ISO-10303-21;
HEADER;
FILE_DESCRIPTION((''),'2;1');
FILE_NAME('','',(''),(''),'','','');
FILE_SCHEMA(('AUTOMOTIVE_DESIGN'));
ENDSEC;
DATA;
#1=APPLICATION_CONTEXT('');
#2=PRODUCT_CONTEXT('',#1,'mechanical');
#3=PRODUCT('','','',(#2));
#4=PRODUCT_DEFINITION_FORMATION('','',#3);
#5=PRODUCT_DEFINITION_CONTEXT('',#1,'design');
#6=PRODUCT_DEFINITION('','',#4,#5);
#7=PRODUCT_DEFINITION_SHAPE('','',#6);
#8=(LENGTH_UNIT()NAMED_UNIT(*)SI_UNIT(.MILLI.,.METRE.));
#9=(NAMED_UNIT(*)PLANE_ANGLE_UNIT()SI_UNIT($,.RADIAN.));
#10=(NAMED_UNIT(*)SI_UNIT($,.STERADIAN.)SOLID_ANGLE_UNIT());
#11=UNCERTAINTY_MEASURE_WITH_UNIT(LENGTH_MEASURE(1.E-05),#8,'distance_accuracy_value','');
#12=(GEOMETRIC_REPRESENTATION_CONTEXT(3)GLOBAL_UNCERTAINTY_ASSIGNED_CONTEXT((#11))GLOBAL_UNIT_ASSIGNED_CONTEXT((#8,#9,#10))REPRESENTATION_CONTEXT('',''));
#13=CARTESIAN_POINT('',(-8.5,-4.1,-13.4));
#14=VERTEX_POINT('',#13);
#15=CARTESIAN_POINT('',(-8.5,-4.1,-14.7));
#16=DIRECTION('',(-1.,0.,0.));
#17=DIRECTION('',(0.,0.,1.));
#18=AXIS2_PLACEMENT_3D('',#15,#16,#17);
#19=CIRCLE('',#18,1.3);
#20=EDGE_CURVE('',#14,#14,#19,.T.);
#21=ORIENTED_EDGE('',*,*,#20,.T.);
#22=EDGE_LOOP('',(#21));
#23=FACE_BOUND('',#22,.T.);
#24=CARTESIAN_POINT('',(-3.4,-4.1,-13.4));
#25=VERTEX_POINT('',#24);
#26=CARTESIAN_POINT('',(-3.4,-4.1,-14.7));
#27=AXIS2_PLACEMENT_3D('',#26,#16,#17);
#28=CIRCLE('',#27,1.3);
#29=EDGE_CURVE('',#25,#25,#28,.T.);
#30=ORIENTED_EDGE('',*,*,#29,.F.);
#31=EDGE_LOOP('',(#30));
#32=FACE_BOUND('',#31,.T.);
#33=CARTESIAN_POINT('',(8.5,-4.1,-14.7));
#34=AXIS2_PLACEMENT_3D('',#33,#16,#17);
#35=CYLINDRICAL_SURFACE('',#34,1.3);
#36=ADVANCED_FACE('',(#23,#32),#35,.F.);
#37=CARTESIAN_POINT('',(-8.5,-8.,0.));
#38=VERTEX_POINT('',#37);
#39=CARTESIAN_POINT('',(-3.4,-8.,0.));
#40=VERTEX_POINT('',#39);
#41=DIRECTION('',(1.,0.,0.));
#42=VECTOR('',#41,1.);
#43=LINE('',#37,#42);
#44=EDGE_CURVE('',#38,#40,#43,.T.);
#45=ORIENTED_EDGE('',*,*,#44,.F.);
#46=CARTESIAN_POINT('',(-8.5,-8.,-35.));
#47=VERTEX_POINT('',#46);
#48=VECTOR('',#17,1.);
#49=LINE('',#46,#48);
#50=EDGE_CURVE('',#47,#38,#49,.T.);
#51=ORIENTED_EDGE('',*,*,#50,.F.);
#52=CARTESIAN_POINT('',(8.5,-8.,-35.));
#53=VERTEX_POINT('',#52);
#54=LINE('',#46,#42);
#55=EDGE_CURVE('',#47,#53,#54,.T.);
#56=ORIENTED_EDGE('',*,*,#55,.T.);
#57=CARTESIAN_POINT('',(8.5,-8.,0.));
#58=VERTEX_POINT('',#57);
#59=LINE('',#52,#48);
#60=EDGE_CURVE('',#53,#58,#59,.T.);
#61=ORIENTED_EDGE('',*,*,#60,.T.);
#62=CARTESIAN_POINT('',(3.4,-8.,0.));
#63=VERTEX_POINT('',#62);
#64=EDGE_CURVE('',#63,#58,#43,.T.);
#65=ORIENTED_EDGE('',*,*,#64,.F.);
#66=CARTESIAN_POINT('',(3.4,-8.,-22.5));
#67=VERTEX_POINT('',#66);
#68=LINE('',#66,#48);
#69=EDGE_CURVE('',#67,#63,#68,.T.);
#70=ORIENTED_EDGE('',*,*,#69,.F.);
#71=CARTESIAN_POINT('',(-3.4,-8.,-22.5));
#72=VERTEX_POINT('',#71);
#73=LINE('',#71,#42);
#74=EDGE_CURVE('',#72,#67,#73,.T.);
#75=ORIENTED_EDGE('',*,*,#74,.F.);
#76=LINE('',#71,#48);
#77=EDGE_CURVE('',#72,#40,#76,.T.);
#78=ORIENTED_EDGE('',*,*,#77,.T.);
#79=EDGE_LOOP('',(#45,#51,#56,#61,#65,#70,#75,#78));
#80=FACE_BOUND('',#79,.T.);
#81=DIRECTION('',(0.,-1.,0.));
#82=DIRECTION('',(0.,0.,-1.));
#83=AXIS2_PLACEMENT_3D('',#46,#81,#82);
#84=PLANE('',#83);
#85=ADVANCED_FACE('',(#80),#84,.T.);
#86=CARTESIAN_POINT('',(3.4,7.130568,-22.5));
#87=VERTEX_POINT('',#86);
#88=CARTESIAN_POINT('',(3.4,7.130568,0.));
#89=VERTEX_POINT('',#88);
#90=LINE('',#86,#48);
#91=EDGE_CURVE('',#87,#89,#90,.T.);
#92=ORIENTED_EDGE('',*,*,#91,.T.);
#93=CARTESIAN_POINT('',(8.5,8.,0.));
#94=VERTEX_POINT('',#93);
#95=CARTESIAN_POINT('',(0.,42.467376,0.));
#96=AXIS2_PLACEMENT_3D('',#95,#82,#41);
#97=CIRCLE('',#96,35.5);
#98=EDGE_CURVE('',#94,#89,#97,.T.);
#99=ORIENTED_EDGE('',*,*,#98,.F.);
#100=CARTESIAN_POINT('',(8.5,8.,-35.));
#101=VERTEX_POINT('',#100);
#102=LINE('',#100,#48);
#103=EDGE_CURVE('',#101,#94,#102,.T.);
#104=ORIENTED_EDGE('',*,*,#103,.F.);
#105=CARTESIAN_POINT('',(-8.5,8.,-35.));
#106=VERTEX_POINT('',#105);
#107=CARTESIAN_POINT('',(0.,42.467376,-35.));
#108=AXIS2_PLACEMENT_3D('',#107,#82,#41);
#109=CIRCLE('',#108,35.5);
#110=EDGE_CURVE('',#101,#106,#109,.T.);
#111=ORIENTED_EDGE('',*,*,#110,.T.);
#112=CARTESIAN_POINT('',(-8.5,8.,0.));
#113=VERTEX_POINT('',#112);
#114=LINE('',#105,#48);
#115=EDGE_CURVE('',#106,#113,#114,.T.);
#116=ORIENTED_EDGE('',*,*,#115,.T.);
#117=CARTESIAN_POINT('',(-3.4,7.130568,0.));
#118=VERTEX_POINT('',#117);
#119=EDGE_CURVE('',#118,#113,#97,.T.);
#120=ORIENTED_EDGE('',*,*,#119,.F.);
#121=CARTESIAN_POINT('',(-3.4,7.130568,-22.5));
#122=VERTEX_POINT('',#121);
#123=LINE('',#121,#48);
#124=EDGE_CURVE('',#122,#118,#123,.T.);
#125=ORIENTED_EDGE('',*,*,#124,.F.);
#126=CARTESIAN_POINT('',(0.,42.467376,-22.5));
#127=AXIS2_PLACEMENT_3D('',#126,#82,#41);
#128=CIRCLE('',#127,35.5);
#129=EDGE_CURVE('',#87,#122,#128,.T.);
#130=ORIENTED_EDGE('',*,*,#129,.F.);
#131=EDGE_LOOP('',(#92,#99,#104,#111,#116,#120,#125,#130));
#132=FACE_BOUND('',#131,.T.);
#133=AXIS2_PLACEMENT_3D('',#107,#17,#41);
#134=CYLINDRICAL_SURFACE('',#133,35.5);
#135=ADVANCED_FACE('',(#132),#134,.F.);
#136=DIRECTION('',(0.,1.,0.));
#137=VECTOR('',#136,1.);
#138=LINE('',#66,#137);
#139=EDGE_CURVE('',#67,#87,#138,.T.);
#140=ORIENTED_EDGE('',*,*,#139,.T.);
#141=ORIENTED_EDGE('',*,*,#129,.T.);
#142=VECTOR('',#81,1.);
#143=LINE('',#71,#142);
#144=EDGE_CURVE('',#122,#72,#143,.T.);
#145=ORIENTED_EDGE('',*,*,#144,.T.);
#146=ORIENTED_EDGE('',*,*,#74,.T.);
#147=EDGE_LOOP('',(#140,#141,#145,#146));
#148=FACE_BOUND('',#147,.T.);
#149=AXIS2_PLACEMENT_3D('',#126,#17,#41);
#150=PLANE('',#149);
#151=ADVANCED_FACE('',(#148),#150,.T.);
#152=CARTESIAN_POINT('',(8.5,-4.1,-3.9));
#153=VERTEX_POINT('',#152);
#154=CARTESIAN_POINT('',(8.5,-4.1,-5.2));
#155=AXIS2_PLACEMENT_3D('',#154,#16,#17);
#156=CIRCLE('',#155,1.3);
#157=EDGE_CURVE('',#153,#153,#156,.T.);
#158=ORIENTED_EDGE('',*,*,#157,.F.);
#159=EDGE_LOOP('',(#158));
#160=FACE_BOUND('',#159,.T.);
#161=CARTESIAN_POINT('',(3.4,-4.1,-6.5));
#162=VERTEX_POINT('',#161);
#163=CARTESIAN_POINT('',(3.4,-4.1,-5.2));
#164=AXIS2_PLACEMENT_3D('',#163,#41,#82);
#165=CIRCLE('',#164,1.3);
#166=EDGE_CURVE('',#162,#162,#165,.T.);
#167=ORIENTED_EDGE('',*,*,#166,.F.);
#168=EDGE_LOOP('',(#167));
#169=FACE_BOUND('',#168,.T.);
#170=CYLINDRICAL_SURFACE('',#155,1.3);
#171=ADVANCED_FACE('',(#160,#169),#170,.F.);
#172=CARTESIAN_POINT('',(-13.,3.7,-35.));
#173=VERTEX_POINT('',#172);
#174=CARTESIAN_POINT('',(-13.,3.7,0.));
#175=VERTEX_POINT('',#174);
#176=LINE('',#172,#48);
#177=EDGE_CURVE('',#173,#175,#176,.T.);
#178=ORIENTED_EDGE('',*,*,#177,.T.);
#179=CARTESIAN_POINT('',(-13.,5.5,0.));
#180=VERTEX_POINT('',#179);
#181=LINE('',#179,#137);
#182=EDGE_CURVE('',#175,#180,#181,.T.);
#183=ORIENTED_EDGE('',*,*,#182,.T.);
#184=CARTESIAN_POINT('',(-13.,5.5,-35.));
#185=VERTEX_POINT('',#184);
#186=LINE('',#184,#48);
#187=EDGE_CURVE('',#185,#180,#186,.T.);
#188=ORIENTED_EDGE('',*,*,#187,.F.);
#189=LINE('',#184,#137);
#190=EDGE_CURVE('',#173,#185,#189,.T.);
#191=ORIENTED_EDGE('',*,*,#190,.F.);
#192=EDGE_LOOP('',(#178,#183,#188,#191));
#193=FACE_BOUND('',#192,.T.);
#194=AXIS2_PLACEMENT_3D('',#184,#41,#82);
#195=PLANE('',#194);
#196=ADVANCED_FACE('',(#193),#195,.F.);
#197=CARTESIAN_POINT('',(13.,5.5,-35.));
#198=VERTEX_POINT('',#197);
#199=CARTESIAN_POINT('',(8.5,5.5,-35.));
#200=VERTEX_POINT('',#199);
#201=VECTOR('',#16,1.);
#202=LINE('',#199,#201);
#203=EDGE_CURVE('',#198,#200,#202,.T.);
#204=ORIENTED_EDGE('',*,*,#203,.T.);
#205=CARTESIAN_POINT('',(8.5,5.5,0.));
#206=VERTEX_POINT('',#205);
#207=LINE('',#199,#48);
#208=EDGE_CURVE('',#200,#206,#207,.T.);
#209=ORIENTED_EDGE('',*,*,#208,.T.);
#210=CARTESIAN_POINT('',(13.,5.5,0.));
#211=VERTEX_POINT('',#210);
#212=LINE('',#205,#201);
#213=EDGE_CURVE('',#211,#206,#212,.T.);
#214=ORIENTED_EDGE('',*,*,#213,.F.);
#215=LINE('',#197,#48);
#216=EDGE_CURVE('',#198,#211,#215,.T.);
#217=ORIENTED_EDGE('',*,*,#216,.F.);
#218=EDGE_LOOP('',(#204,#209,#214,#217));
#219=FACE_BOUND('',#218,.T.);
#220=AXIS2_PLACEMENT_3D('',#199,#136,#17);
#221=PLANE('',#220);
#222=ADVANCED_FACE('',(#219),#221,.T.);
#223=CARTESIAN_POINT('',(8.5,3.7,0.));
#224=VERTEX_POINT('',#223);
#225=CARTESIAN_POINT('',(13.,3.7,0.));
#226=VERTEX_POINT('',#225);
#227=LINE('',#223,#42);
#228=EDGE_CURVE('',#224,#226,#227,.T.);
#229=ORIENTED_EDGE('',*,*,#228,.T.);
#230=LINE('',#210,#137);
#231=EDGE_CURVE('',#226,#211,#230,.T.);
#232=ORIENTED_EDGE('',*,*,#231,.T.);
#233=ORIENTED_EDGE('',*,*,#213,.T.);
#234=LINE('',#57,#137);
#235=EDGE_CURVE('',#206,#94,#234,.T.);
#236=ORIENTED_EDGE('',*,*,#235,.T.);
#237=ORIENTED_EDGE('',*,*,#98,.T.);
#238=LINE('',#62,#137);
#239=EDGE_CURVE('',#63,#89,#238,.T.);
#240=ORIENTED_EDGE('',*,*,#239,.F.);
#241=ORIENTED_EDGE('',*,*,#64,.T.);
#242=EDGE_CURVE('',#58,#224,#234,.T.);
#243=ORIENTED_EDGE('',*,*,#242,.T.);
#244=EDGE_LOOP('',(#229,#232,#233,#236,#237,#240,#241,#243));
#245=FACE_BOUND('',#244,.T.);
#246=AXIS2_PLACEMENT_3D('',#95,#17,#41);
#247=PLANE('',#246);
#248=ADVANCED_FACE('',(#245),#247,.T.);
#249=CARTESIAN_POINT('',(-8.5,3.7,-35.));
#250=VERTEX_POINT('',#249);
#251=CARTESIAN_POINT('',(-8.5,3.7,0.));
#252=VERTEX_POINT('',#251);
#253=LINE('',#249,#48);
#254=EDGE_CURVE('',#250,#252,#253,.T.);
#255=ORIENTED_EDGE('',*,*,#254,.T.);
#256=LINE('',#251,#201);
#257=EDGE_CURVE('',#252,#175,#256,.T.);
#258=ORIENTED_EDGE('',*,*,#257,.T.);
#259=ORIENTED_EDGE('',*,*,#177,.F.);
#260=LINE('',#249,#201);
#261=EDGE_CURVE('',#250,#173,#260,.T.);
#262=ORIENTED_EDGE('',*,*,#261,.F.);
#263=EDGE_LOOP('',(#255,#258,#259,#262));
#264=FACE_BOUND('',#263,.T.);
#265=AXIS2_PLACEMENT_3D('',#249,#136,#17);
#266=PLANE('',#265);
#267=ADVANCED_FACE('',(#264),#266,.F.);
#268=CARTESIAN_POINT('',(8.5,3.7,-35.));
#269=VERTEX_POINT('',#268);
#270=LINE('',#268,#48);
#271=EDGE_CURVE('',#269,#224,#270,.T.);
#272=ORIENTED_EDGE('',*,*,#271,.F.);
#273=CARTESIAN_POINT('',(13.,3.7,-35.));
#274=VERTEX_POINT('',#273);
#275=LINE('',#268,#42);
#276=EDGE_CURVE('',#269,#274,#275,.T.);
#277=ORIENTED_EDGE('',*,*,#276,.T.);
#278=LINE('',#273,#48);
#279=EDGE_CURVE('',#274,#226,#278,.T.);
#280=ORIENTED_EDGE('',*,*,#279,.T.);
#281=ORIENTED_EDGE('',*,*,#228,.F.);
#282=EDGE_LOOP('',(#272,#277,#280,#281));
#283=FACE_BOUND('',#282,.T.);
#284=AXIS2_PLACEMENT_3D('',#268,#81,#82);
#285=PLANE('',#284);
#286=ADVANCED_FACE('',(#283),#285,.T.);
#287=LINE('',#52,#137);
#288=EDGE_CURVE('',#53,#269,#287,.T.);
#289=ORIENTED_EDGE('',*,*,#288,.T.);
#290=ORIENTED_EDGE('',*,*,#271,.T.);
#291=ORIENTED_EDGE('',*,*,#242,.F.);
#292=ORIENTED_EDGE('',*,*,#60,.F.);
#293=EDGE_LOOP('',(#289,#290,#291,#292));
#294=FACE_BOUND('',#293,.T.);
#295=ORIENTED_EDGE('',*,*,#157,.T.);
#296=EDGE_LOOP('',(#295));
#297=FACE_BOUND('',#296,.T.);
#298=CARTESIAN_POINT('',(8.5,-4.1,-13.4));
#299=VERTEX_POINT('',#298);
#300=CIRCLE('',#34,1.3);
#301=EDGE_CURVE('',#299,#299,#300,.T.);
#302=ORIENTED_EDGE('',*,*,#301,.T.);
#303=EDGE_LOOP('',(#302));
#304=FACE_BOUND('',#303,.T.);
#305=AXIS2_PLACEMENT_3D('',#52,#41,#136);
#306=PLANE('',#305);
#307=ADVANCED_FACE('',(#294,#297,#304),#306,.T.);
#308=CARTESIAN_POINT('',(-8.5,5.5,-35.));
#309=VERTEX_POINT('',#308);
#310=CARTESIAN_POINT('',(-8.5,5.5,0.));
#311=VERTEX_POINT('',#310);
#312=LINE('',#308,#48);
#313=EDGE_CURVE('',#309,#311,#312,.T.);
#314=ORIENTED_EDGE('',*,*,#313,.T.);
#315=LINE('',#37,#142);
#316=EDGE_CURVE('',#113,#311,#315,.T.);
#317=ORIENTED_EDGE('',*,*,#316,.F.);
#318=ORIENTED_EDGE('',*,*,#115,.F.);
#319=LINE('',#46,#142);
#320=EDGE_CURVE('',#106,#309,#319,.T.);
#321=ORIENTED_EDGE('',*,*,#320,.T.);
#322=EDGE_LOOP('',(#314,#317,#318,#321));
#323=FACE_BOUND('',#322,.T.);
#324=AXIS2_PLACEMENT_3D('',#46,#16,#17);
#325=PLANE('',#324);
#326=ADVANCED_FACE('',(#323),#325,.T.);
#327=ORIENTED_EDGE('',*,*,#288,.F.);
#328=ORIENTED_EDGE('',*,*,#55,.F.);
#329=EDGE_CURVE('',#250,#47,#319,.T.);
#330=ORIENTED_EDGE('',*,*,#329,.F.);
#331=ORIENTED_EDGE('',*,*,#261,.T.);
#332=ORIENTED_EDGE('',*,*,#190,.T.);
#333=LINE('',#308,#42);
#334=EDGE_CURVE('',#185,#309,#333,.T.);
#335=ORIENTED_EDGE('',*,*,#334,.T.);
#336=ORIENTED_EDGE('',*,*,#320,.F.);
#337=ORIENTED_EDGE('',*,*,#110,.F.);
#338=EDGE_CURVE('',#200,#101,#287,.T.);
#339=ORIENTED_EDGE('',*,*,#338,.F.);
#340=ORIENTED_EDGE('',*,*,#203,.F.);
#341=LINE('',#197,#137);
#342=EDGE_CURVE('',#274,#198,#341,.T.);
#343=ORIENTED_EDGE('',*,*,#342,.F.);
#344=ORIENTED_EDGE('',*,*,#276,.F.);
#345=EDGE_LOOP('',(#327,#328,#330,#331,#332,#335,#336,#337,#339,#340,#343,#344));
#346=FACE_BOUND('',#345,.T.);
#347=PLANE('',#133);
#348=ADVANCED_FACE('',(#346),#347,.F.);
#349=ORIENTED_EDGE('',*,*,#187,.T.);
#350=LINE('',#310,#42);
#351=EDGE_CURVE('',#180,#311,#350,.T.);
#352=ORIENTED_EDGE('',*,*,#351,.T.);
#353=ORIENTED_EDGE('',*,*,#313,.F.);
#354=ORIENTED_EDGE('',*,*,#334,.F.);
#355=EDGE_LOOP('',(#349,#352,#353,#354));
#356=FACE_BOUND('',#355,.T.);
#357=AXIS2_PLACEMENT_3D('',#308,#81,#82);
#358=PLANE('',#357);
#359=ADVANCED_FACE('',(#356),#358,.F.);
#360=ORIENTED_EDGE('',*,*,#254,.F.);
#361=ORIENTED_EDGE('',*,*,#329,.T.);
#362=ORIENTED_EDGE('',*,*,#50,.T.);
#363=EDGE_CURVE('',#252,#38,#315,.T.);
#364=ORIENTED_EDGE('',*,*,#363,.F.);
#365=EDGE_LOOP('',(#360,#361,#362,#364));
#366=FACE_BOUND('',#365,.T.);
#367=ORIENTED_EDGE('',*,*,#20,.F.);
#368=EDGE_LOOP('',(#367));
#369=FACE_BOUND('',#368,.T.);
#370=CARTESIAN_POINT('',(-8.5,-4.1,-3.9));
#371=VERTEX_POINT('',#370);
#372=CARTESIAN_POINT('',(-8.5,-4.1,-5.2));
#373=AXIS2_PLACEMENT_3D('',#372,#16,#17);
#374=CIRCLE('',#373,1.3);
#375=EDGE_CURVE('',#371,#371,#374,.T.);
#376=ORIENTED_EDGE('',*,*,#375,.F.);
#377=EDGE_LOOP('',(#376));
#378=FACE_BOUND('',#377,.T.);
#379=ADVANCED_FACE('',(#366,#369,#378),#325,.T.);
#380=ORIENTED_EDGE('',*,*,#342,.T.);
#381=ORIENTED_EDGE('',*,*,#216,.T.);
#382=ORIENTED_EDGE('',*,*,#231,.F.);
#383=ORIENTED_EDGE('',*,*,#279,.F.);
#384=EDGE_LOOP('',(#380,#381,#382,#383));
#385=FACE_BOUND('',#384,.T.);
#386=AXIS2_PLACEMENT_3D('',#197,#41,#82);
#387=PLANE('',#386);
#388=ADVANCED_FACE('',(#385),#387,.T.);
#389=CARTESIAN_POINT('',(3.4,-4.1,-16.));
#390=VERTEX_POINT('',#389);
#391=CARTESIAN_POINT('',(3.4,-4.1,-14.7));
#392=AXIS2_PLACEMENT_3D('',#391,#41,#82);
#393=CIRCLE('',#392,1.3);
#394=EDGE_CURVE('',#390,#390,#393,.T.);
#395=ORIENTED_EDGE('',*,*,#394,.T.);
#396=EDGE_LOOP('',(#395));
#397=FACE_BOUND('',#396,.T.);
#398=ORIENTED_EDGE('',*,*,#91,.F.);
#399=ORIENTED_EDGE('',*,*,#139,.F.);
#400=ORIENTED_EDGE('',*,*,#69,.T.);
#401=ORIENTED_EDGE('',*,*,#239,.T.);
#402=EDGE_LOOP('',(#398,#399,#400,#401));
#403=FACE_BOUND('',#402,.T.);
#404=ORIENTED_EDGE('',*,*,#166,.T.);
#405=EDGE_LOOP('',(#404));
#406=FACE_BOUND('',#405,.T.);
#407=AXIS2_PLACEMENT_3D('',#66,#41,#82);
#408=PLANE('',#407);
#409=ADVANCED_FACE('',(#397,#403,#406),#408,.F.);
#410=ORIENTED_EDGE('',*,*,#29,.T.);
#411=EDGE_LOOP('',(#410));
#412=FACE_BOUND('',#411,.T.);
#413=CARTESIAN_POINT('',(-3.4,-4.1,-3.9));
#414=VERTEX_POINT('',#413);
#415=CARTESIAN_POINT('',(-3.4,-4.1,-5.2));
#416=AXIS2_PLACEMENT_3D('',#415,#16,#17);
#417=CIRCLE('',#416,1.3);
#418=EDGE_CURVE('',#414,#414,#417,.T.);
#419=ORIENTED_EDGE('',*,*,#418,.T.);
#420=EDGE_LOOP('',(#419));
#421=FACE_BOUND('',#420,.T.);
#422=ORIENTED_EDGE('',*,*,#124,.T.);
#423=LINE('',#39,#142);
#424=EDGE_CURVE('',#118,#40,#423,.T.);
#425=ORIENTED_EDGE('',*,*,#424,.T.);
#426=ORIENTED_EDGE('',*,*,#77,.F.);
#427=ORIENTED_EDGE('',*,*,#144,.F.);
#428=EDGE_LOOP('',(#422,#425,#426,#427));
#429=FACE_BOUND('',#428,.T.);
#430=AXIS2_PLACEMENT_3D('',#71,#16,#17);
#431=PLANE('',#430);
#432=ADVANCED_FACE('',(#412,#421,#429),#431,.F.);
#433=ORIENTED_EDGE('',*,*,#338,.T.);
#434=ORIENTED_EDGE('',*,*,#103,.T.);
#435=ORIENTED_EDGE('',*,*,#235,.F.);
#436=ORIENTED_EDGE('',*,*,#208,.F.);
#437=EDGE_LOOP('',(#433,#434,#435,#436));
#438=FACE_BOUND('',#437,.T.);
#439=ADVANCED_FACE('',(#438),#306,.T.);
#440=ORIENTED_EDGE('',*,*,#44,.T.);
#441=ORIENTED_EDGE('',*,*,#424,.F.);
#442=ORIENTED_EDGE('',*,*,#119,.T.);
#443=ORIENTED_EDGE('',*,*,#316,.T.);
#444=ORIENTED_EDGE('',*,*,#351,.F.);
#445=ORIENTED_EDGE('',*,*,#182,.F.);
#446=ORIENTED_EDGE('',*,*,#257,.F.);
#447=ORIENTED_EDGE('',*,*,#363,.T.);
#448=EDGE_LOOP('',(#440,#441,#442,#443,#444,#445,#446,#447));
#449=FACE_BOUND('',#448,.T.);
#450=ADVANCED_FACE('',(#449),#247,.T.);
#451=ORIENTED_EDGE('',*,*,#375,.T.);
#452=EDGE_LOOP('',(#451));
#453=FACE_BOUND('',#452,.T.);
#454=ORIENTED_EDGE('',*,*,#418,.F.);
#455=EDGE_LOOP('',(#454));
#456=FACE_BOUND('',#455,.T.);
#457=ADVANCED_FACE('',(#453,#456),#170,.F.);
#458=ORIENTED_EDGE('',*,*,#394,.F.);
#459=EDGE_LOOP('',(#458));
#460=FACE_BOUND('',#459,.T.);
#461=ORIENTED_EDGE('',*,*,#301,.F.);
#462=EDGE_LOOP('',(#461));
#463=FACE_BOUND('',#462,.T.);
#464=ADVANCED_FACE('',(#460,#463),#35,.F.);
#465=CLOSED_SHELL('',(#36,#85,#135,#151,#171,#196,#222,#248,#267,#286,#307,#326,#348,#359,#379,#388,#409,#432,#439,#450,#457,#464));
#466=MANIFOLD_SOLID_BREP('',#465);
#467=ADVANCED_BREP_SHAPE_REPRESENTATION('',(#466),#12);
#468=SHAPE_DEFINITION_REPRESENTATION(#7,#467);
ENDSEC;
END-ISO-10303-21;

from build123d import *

# Parameters (mm, degrees)
EXTRUDE_1_DEPTH     = 35
CUT_EXTRUDE_1_DEPTH = 22.5
SKETCH_5_R          = 1.3
CUT_EXTRUDE_3_DEPTH = 40.724048132
SKETCH_6_W          = 4.5
SKETCH_6_H          = 1.8
EXTRUDE_2_DEPTH     = 35


with BuildPart() as part:
    # 草圖2 → 填料-伸長1 (new body)
    with BuildSketch(Plane.XY):
        with BuildLine():
            Line((-8.5, -8), (8.5, -8))
            Line((8.5, -8), (8.5, 8))
            ThreePointArc((8.5, 8), (0, 6.967375879), (-8.5, 8))
            Line((-8.5, 8), (-8.5, -8))
        make_face()
    extrude(amount=-EXTRUDE_1_DEPTH)

    # 草圖3 → 除料-伸長1 (cut)
    with BuildSketch(Plane.XY):
        with BuildLine():
            Line((-3.4, -8), (3.4, -8))
            Line((3.4, -8), (3.4, 7.130567874))
            ThreePointArc((3.4, 7.130567874), (0, 6.967375879), (-3.4, 7.130567874))
            Line((-3.4, 7.130567874), (-3.4, -8))
        make_face()
    extrude(amount=-CUT_EXTRUDE_1_DEPTH, mode=Mode.SUBTRACT)

    # 草圖5 → 除料-伸長3 (cut, through all)
    with BuildSketch(Plane.ZY.offset(8.5)):
        with Locations((-5.2, -4.1)):
            Circle(SKETCH_5_R)
        with Locations((-14.7, -4.1)):
            Circle(SKETCH_5_R)
    extrude(amount=-CUT_EXTRUDE_3_DEPTH, mode=Mode.SUBTRACT)

    # 草圖6 → 填料-伸長2 (add)
    with BuildSketch(Plane.XY):
        with Locations((10.75, 4.6)):
            Rectangle(SKETCH_6_W, SKETCH_6_H)
    extrude_2 = extrude(amount=-EXTRUDE_2_DEPTH)

    # 鏡射1: 填料-伸長2 across plane
    add(extrude_2.mirror(Plane(origin=(0, 0, 0), x_dir=(0, 0, 1), z_dir=(1, 0, 0))))


solid = part.part
